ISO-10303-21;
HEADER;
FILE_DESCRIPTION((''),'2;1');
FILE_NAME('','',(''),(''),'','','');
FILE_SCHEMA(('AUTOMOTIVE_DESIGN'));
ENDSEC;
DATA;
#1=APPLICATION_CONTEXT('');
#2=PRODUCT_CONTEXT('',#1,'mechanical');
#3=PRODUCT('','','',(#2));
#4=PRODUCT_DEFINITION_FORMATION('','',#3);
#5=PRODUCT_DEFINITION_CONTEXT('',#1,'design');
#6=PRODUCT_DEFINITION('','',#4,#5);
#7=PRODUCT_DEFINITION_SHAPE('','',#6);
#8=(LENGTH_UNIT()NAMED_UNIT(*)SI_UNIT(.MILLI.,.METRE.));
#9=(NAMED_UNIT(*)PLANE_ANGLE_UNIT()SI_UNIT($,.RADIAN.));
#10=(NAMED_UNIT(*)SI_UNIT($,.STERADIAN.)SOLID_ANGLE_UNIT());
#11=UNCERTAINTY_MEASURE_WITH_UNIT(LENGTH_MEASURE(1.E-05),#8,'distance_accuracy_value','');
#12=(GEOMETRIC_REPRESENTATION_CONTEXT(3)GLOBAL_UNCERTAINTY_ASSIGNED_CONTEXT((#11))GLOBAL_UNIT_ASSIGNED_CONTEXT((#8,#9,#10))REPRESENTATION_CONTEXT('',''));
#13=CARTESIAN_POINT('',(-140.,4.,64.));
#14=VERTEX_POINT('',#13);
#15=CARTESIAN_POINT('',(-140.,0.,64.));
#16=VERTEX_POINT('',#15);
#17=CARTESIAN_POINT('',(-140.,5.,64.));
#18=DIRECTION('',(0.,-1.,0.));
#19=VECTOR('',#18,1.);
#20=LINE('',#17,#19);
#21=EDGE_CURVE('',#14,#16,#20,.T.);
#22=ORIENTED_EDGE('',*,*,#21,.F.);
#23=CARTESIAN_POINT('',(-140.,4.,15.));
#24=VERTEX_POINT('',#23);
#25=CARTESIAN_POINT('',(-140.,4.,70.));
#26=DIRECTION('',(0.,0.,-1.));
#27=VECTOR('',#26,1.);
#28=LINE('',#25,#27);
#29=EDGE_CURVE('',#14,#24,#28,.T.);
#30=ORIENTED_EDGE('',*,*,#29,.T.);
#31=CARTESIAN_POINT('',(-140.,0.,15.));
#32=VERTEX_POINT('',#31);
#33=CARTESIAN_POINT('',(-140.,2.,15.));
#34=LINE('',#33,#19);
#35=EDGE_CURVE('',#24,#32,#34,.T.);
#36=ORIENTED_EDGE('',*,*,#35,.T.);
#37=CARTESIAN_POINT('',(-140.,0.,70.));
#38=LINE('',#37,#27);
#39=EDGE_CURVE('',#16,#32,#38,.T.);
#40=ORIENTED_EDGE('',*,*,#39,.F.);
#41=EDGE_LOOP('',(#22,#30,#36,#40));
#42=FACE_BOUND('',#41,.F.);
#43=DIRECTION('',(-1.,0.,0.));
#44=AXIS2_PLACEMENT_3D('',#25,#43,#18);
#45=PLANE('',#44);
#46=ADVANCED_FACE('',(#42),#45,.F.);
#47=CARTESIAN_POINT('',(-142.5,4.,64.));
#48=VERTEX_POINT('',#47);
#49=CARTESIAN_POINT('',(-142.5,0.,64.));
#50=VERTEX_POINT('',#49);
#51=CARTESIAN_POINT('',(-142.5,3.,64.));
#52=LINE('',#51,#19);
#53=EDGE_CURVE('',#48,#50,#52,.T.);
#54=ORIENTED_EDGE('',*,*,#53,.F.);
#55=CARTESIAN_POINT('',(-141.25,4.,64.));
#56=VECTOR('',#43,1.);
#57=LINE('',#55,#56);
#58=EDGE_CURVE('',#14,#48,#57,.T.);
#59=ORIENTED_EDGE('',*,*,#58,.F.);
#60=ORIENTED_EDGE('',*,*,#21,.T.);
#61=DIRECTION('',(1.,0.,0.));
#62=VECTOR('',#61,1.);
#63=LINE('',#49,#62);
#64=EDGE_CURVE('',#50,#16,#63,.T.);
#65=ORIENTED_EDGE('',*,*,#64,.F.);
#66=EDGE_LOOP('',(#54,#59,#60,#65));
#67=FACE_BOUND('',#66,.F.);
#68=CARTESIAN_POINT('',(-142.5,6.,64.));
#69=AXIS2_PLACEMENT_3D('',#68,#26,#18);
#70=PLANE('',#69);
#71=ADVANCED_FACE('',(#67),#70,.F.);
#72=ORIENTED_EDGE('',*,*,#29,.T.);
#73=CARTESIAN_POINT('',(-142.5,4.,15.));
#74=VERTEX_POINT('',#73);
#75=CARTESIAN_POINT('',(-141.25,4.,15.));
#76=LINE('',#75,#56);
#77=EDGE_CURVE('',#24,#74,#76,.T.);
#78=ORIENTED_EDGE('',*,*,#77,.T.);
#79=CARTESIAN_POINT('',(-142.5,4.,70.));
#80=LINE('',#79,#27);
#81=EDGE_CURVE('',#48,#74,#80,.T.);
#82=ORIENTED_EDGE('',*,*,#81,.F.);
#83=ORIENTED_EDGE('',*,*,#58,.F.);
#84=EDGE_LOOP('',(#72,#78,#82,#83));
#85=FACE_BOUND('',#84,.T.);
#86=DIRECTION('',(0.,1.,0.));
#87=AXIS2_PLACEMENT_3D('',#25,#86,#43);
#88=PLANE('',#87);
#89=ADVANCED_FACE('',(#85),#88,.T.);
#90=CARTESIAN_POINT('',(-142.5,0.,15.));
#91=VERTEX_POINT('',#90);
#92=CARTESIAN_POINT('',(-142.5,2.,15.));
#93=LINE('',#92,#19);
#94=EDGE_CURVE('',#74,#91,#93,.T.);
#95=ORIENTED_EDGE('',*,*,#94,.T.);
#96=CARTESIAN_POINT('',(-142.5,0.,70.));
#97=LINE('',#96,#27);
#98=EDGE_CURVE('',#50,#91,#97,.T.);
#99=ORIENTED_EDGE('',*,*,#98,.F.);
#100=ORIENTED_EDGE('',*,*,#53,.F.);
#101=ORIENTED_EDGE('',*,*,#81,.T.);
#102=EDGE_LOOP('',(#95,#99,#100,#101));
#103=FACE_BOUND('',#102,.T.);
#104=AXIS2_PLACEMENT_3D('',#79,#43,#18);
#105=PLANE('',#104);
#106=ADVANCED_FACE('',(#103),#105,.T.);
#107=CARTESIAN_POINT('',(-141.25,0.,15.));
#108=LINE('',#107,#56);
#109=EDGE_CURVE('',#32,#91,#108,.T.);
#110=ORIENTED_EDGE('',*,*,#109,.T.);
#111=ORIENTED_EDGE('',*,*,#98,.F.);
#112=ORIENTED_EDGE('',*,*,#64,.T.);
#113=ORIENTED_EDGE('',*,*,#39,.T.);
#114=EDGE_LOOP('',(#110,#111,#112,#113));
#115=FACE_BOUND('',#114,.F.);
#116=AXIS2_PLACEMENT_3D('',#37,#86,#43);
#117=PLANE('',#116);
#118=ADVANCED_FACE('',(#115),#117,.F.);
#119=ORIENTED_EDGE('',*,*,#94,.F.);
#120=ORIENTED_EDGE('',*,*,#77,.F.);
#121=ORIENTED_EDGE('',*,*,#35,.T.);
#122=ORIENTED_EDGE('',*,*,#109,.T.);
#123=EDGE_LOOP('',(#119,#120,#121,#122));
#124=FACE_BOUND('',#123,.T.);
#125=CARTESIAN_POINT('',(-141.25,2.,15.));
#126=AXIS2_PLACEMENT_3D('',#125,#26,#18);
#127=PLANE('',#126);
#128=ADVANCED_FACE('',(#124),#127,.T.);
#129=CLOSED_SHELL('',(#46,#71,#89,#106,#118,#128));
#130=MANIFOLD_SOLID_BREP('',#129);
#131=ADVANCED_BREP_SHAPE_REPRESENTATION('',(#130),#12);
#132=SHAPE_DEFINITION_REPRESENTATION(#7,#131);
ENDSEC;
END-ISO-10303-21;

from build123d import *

# Parameters (mm, degrees)
RECTANGLE067_W   = 6
RECTANGLE067_H   = 6
EXTRUDE081_DEPTH = 7.5
FACEBINDER012_W  = 4
FACEBINDER012_H  = 2.5
EXTRUDE037_DEPTH = 55


with BuildPart() as extrude081:
    # Rectangle067 → Extrude081 (new body)
    with BuildSketch(Plane(origin=(-250, 6, 64), x_dir=(0, -1, 0), z_dir=(-1, 0, 0))):
        with Locations((3, 3)):
            Rectangle(RECTANGLE067_W, RECTANGLE067_H)
    extrude(amount=-EXTRUDE081_DEPTH)


with BuildPart() as extrude081_1:
    # Extrude081 placement: moved
    add(extrude081.part.moved(Location((107.5, 0, 0))))


with BuildPart() as cut003:
    # Facebinder012 → Extrude037 (new body)
    with BuildSketch(Plane(origin=(-141.25, 2, 70), x_dir=(0, -1, 0), z_dir=(0, 0, -1))):
        Rectangle(FACEBINDER012_W, FACEBINDER012_H)
    extrude(amount=EXTRUDE037_DEPTH)

    # Cut003: cut Extrude081
    add(extrude081_1.part, mode=Mode.SUBTRACT)


solid = cut003.part
